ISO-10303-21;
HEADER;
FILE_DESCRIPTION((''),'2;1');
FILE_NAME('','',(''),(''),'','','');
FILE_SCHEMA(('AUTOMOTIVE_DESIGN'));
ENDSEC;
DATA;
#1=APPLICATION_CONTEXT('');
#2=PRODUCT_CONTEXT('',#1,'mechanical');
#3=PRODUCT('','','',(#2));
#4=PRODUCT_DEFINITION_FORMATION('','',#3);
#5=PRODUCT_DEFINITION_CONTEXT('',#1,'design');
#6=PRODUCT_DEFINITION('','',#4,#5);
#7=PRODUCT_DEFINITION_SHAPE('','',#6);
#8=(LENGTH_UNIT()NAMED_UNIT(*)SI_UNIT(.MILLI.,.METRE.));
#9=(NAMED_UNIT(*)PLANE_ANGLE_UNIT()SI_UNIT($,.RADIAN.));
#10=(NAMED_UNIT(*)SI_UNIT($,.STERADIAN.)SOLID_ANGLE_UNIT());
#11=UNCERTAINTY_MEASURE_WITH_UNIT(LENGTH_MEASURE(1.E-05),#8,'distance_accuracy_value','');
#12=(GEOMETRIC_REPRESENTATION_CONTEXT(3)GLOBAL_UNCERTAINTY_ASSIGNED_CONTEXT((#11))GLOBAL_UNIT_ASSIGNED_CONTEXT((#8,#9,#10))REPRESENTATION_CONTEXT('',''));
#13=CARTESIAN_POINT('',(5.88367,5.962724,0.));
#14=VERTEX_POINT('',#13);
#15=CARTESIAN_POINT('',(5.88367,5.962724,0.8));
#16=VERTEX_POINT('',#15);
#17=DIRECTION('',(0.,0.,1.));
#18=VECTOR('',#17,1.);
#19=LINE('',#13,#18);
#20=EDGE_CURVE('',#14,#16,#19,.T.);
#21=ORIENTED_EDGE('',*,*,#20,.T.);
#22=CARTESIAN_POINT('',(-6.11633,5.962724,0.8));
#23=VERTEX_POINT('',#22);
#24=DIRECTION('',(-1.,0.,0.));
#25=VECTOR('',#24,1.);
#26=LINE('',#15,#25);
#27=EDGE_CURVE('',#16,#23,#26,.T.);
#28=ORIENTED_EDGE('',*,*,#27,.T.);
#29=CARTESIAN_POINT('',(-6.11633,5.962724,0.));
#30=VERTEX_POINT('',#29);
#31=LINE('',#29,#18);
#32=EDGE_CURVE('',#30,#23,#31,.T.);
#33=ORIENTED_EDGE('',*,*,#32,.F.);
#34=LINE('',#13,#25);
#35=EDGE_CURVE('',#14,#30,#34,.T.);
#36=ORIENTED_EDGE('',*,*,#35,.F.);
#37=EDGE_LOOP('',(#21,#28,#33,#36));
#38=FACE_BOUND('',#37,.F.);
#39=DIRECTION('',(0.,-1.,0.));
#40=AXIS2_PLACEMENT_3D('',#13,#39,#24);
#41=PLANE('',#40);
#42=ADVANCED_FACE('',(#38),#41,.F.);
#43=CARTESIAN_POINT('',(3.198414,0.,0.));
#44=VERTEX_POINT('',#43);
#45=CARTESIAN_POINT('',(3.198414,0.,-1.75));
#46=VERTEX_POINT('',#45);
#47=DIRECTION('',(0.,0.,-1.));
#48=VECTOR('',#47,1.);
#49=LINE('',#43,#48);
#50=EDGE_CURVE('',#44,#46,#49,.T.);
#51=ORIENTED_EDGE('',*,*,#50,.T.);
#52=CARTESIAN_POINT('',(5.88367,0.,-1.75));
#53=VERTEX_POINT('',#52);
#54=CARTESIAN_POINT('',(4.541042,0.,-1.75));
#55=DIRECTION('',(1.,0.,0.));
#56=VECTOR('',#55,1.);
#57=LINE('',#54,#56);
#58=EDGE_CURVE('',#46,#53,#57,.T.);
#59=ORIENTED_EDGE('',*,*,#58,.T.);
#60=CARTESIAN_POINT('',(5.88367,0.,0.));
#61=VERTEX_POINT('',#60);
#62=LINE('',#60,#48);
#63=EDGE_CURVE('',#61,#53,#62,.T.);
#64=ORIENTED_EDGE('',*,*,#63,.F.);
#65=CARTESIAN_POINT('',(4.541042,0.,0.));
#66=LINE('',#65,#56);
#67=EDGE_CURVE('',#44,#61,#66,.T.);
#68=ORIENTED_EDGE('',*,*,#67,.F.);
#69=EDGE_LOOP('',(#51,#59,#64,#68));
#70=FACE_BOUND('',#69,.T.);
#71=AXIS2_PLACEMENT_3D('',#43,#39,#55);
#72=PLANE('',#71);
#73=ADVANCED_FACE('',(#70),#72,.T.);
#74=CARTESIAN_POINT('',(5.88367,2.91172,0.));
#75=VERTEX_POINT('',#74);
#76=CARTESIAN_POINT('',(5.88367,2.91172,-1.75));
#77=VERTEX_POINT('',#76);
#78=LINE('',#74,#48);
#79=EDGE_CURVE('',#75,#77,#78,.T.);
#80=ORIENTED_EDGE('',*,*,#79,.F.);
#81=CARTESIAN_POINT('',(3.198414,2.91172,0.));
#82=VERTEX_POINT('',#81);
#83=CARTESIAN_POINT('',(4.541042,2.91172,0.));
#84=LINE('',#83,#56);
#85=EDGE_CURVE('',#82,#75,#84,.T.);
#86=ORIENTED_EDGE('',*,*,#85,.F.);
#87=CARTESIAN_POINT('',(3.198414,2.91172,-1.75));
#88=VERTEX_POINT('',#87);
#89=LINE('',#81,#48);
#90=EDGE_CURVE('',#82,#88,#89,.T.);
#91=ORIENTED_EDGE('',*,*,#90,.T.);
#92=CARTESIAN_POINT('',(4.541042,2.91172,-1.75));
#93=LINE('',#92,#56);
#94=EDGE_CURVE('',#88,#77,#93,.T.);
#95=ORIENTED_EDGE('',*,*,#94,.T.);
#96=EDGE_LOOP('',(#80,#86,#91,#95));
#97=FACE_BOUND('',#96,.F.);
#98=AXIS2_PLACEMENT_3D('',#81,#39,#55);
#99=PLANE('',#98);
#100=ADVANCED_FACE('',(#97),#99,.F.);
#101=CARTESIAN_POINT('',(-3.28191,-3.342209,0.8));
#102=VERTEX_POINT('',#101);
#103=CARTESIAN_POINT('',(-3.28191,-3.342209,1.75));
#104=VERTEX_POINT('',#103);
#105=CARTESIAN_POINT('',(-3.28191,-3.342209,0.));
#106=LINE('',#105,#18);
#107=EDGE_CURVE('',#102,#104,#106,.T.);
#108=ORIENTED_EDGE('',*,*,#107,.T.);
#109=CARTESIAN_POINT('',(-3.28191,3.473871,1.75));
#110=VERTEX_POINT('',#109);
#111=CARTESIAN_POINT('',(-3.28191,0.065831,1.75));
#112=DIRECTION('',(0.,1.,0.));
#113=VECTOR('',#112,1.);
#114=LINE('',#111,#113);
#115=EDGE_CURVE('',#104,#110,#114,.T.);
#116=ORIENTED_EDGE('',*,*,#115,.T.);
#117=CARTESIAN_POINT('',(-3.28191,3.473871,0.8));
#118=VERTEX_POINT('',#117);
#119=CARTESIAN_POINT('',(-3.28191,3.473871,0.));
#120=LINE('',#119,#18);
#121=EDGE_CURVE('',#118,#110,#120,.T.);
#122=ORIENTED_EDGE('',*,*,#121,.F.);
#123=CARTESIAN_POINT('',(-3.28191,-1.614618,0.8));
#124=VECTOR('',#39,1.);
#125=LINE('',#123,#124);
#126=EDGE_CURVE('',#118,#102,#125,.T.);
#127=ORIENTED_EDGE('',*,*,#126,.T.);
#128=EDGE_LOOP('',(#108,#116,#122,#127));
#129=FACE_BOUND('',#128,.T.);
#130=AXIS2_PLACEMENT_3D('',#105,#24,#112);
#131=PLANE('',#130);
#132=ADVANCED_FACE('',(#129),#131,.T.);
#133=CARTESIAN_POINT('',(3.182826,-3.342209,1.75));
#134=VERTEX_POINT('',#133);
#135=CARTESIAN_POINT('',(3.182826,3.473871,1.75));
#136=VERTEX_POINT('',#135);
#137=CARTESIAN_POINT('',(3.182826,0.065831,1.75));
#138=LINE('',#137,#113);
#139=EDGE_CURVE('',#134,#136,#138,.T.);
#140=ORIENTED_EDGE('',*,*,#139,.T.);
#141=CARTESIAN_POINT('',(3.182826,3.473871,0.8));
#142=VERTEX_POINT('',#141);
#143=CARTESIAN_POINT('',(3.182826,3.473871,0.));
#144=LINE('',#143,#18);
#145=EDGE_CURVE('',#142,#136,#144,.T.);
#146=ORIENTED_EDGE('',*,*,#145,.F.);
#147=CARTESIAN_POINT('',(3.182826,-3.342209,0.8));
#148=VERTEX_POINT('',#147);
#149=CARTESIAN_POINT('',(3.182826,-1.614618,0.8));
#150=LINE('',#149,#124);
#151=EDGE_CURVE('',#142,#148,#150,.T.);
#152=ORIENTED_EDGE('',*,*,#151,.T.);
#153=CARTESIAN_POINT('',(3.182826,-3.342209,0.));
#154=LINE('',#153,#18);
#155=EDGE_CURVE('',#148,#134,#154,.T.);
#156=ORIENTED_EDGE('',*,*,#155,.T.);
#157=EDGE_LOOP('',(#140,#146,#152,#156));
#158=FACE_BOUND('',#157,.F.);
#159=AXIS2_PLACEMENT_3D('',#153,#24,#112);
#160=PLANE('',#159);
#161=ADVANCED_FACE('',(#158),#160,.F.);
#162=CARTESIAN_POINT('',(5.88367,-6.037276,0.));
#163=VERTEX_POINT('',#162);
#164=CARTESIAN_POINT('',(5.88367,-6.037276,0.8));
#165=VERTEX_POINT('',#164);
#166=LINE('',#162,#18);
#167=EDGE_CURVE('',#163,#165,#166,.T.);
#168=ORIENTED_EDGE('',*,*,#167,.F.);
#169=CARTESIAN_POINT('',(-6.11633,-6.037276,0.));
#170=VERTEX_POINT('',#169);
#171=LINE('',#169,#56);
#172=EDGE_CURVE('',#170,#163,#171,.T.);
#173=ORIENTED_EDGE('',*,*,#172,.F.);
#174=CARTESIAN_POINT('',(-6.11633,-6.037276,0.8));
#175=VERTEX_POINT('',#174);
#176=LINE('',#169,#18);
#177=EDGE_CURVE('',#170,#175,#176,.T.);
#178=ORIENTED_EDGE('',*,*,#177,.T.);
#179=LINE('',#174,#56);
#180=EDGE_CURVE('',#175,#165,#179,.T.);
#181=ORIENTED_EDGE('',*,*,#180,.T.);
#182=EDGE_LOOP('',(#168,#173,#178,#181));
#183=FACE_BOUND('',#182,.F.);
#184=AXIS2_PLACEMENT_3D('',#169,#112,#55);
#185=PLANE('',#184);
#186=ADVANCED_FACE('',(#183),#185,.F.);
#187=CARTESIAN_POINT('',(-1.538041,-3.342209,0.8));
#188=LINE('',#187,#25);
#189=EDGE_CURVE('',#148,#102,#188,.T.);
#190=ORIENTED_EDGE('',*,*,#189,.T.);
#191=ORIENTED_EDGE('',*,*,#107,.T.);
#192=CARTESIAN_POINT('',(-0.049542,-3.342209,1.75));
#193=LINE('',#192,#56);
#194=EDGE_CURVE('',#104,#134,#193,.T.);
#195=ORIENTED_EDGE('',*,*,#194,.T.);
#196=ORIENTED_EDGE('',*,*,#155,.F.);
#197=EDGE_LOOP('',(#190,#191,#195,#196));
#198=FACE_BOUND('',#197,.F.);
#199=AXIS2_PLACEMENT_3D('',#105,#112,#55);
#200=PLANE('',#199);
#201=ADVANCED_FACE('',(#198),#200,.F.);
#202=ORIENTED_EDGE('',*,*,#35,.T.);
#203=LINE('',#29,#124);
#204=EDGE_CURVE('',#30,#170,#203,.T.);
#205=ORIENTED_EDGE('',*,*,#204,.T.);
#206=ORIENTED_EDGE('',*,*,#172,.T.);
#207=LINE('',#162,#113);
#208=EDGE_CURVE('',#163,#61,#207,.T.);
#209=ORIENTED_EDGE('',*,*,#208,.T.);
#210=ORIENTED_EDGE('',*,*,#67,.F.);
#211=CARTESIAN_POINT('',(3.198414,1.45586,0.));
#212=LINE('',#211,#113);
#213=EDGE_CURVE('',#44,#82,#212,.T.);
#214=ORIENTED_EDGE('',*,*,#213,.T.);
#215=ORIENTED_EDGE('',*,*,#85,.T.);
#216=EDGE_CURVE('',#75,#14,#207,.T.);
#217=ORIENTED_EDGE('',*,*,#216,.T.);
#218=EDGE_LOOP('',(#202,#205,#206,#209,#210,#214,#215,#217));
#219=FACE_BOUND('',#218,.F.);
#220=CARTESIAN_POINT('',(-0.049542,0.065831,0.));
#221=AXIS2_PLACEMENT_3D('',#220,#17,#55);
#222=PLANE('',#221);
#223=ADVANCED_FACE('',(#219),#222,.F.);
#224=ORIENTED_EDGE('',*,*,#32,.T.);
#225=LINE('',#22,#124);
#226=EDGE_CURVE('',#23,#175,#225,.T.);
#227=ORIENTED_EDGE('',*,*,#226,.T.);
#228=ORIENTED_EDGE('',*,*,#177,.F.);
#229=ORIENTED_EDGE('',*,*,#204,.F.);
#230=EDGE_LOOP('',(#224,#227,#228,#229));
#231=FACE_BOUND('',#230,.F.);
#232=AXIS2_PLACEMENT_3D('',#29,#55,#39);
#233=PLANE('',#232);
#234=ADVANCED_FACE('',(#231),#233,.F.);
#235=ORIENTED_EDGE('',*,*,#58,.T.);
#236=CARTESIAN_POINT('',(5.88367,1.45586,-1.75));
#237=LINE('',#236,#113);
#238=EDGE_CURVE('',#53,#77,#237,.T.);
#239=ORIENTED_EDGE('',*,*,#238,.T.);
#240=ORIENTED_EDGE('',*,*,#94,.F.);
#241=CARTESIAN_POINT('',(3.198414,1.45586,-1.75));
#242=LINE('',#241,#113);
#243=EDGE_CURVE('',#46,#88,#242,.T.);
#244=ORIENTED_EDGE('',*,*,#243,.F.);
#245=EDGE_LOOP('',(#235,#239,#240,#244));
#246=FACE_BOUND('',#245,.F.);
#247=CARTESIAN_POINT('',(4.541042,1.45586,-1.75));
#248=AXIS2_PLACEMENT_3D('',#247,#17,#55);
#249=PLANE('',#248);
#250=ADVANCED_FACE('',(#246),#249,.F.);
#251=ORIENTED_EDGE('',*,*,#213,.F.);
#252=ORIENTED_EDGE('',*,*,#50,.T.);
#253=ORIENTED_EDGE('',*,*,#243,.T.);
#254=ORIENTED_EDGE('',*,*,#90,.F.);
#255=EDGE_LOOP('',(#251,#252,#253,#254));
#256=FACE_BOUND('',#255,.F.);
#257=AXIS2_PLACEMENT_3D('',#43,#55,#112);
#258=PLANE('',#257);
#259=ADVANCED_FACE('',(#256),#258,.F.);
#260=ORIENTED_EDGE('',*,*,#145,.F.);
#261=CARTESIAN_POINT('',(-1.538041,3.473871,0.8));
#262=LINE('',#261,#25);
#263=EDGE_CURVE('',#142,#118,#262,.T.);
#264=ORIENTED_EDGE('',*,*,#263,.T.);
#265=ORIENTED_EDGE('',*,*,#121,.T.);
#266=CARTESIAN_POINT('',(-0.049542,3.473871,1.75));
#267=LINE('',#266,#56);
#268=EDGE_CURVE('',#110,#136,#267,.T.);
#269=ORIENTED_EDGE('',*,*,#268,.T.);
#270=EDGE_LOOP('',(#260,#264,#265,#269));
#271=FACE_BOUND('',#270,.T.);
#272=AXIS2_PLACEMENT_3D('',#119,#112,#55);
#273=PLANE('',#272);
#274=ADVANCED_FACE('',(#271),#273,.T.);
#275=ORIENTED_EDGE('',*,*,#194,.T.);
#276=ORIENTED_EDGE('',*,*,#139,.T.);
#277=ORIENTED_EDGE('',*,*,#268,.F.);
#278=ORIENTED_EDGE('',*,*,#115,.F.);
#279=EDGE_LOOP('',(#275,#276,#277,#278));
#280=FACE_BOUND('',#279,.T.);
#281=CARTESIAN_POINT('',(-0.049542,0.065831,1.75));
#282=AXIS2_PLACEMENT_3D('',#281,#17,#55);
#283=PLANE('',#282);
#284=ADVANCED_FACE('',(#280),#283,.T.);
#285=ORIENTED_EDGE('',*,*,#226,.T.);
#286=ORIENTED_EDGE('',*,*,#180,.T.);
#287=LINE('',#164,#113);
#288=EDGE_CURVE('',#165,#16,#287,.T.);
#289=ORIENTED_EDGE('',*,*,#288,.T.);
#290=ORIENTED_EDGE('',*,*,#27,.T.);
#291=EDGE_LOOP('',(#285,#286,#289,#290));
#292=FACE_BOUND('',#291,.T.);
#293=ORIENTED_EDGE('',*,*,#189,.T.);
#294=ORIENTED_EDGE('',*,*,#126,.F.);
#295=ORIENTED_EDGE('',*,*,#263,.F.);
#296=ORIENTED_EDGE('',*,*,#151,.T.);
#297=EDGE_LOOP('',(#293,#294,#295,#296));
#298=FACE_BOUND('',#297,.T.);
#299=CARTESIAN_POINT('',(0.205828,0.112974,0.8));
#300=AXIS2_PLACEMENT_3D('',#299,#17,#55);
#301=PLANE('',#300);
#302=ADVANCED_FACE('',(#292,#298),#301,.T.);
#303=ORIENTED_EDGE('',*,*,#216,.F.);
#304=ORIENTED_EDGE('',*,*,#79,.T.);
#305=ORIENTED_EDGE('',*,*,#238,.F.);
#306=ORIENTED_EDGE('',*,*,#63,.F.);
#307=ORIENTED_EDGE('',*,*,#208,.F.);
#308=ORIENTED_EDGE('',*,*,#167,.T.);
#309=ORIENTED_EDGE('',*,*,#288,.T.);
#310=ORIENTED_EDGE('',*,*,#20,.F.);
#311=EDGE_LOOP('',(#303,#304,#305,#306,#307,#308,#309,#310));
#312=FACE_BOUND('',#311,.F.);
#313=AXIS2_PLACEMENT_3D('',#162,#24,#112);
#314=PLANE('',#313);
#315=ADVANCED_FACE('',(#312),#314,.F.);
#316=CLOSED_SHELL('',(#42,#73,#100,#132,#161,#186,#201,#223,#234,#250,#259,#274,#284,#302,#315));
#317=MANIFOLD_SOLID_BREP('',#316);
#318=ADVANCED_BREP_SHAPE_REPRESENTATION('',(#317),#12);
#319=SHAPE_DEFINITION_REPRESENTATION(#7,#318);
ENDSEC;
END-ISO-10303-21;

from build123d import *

# Parameters (mm, degrees)
F0_W     = 6.464736
F0_H     = 6.81608
F0_W_2   = 2.685256
F0_H_2   = 2.91172
F1_DEPTH = 0.8
F2_DEPTH = 1.75
F3_DEPTH = 1.75


with BuildPart() as f1:
    # F0 (on Top) → F1 (new body)
    with BuildSketch(Plane.XY):
        Polygon((5.88367, 5.962724), (-6.11633, 5.962724), (-6.11633, -6.037276), (5.88367, -6.037276), (5.88367, 0), (3.198414, 0), (3.198414, 2.91172), (5.88367, 2.91172), align=None)
        with Locations((-0.049542, 0.065831)):
            Rectangle(F0_W, F0_H, mode=Mode.SUBTRACT)
        with Locations((4.541042, 1.45586)):
            Rectangle(F0_W_2, F0_H_2)
        with Locations((-0.049542, 0.065831)):
            Rectangle(F0_W, F0_H)
    extrude(amount=F1_DEPTH)

    # F0 (on Top) → F2 (join)
    with BuildSketch(Plane.XY):
        with Locations((-0.049542, 0.065831)):
            Rectangle(F0_W, F0_H)
    extrude(amount=F2_DEPTH)

    # F0 (on Top) → F3 (join)
    with BuildSketch(Plane.XY):
        with Locations((4.541042, 1.45586)):
            Rectangle(F0_W_2, F0_H_2)
    extrude(amount=-F3_DEPTH)


solid = f1.part
